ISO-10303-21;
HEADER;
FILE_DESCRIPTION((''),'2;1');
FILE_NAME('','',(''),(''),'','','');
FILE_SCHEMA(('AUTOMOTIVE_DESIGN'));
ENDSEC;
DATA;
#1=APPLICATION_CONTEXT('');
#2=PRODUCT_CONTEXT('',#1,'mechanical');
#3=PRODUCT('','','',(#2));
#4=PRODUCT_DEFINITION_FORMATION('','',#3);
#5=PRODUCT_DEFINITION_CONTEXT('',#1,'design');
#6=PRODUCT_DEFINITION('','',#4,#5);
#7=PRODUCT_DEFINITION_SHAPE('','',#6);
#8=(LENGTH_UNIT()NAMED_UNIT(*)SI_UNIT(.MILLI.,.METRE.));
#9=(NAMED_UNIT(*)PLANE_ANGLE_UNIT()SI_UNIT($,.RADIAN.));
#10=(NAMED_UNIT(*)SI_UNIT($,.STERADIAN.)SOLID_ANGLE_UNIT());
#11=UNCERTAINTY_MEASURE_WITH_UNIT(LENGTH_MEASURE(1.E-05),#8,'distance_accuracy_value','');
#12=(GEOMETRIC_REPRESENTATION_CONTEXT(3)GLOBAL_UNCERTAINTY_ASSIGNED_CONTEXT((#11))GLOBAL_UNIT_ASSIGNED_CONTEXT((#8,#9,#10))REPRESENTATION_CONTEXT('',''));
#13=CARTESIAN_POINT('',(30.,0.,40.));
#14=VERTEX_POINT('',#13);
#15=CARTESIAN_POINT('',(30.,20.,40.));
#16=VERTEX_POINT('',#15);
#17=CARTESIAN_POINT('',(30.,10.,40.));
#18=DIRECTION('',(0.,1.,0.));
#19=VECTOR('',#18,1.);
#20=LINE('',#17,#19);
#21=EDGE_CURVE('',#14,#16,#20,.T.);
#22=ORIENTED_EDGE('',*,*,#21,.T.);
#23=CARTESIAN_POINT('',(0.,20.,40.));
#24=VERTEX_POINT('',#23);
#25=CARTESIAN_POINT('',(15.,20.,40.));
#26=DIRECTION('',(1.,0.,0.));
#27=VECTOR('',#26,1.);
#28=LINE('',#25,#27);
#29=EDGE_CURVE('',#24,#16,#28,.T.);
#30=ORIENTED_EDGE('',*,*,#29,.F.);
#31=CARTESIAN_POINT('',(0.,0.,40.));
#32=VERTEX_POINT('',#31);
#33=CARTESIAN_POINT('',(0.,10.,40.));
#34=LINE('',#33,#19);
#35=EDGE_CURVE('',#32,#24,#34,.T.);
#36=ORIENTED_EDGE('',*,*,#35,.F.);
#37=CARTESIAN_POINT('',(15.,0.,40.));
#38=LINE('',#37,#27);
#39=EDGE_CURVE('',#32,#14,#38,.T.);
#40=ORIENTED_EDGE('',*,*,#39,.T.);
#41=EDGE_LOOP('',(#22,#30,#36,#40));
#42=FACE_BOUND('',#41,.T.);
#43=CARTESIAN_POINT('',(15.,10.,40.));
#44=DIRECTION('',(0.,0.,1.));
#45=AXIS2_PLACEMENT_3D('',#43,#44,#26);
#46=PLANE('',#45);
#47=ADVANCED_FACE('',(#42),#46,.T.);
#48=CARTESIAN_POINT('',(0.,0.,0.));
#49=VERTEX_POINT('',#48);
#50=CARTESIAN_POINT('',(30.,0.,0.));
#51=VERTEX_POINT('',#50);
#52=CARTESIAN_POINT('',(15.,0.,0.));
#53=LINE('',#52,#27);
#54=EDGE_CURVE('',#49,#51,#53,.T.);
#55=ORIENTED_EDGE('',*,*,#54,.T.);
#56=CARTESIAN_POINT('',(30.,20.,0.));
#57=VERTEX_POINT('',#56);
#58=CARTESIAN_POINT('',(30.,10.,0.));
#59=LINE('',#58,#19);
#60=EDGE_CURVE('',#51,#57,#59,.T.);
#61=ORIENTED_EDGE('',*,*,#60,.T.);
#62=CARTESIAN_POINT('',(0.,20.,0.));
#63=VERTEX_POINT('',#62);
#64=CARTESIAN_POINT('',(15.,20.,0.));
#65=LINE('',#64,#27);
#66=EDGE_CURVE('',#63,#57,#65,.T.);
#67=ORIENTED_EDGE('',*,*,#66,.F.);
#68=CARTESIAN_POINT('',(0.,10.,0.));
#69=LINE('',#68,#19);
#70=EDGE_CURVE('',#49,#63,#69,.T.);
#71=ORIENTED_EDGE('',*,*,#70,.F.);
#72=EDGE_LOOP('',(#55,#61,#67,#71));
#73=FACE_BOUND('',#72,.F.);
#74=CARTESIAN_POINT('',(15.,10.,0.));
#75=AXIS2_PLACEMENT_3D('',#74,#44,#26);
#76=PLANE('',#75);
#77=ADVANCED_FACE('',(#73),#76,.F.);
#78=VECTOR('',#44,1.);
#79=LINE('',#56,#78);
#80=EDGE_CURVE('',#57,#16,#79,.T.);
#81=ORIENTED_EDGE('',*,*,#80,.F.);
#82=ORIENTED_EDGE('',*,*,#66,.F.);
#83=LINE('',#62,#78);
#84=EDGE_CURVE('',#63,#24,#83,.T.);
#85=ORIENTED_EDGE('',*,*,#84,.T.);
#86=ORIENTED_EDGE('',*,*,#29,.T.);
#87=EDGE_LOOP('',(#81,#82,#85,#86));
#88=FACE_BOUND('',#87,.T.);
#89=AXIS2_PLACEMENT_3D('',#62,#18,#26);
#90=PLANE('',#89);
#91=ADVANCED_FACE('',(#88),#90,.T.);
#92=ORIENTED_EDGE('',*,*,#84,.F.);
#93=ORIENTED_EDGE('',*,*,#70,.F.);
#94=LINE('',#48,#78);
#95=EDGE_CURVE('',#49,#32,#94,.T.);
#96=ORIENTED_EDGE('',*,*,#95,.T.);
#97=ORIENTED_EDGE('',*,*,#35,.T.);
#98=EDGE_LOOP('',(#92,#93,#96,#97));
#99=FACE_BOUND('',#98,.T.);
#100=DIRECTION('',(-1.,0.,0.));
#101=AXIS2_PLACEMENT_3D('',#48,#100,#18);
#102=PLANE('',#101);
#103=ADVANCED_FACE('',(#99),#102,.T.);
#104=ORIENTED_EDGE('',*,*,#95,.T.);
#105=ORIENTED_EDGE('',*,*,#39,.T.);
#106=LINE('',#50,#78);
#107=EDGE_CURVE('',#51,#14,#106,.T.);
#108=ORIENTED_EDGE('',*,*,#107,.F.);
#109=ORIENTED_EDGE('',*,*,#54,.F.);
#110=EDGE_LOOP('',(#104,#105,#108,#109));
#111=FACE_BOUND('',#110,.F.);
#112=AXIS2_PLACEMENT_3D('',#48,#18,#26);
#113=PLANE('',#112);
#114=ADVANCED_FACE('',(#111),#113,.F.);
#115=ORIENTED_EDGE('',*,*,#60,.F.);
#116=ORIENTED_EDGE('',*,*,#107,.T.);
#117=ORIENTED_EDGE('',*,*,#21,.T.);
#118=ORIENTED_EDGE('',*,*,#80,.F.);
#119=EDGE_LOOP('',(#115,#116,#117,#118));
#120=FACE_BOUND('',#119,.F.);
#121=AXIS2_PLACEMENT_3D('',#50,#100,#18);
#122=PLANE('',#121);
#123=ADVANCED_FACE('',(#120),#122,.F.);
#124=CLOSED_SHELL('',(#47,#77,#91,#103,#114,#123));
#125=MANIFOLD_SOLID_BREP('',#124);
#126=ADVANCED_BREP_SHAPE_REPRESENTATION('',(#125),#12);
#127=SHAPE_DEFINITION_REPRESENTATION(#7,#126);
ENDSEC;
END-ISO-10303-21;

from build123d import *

# Parameters (mm, degrees)
BOX_W     = 30
BOX_H     = 20
BOX_DEPTH = 40


with BuildPart() as part:
    # Box → Box (new body)
    with BuildSketch(Plane.XY):
        with Locations((15, 10)):
            Rectangle(BOX_W, BOX_H)
    extrude(amount=BOX_DEPTH)


solid = part.part
